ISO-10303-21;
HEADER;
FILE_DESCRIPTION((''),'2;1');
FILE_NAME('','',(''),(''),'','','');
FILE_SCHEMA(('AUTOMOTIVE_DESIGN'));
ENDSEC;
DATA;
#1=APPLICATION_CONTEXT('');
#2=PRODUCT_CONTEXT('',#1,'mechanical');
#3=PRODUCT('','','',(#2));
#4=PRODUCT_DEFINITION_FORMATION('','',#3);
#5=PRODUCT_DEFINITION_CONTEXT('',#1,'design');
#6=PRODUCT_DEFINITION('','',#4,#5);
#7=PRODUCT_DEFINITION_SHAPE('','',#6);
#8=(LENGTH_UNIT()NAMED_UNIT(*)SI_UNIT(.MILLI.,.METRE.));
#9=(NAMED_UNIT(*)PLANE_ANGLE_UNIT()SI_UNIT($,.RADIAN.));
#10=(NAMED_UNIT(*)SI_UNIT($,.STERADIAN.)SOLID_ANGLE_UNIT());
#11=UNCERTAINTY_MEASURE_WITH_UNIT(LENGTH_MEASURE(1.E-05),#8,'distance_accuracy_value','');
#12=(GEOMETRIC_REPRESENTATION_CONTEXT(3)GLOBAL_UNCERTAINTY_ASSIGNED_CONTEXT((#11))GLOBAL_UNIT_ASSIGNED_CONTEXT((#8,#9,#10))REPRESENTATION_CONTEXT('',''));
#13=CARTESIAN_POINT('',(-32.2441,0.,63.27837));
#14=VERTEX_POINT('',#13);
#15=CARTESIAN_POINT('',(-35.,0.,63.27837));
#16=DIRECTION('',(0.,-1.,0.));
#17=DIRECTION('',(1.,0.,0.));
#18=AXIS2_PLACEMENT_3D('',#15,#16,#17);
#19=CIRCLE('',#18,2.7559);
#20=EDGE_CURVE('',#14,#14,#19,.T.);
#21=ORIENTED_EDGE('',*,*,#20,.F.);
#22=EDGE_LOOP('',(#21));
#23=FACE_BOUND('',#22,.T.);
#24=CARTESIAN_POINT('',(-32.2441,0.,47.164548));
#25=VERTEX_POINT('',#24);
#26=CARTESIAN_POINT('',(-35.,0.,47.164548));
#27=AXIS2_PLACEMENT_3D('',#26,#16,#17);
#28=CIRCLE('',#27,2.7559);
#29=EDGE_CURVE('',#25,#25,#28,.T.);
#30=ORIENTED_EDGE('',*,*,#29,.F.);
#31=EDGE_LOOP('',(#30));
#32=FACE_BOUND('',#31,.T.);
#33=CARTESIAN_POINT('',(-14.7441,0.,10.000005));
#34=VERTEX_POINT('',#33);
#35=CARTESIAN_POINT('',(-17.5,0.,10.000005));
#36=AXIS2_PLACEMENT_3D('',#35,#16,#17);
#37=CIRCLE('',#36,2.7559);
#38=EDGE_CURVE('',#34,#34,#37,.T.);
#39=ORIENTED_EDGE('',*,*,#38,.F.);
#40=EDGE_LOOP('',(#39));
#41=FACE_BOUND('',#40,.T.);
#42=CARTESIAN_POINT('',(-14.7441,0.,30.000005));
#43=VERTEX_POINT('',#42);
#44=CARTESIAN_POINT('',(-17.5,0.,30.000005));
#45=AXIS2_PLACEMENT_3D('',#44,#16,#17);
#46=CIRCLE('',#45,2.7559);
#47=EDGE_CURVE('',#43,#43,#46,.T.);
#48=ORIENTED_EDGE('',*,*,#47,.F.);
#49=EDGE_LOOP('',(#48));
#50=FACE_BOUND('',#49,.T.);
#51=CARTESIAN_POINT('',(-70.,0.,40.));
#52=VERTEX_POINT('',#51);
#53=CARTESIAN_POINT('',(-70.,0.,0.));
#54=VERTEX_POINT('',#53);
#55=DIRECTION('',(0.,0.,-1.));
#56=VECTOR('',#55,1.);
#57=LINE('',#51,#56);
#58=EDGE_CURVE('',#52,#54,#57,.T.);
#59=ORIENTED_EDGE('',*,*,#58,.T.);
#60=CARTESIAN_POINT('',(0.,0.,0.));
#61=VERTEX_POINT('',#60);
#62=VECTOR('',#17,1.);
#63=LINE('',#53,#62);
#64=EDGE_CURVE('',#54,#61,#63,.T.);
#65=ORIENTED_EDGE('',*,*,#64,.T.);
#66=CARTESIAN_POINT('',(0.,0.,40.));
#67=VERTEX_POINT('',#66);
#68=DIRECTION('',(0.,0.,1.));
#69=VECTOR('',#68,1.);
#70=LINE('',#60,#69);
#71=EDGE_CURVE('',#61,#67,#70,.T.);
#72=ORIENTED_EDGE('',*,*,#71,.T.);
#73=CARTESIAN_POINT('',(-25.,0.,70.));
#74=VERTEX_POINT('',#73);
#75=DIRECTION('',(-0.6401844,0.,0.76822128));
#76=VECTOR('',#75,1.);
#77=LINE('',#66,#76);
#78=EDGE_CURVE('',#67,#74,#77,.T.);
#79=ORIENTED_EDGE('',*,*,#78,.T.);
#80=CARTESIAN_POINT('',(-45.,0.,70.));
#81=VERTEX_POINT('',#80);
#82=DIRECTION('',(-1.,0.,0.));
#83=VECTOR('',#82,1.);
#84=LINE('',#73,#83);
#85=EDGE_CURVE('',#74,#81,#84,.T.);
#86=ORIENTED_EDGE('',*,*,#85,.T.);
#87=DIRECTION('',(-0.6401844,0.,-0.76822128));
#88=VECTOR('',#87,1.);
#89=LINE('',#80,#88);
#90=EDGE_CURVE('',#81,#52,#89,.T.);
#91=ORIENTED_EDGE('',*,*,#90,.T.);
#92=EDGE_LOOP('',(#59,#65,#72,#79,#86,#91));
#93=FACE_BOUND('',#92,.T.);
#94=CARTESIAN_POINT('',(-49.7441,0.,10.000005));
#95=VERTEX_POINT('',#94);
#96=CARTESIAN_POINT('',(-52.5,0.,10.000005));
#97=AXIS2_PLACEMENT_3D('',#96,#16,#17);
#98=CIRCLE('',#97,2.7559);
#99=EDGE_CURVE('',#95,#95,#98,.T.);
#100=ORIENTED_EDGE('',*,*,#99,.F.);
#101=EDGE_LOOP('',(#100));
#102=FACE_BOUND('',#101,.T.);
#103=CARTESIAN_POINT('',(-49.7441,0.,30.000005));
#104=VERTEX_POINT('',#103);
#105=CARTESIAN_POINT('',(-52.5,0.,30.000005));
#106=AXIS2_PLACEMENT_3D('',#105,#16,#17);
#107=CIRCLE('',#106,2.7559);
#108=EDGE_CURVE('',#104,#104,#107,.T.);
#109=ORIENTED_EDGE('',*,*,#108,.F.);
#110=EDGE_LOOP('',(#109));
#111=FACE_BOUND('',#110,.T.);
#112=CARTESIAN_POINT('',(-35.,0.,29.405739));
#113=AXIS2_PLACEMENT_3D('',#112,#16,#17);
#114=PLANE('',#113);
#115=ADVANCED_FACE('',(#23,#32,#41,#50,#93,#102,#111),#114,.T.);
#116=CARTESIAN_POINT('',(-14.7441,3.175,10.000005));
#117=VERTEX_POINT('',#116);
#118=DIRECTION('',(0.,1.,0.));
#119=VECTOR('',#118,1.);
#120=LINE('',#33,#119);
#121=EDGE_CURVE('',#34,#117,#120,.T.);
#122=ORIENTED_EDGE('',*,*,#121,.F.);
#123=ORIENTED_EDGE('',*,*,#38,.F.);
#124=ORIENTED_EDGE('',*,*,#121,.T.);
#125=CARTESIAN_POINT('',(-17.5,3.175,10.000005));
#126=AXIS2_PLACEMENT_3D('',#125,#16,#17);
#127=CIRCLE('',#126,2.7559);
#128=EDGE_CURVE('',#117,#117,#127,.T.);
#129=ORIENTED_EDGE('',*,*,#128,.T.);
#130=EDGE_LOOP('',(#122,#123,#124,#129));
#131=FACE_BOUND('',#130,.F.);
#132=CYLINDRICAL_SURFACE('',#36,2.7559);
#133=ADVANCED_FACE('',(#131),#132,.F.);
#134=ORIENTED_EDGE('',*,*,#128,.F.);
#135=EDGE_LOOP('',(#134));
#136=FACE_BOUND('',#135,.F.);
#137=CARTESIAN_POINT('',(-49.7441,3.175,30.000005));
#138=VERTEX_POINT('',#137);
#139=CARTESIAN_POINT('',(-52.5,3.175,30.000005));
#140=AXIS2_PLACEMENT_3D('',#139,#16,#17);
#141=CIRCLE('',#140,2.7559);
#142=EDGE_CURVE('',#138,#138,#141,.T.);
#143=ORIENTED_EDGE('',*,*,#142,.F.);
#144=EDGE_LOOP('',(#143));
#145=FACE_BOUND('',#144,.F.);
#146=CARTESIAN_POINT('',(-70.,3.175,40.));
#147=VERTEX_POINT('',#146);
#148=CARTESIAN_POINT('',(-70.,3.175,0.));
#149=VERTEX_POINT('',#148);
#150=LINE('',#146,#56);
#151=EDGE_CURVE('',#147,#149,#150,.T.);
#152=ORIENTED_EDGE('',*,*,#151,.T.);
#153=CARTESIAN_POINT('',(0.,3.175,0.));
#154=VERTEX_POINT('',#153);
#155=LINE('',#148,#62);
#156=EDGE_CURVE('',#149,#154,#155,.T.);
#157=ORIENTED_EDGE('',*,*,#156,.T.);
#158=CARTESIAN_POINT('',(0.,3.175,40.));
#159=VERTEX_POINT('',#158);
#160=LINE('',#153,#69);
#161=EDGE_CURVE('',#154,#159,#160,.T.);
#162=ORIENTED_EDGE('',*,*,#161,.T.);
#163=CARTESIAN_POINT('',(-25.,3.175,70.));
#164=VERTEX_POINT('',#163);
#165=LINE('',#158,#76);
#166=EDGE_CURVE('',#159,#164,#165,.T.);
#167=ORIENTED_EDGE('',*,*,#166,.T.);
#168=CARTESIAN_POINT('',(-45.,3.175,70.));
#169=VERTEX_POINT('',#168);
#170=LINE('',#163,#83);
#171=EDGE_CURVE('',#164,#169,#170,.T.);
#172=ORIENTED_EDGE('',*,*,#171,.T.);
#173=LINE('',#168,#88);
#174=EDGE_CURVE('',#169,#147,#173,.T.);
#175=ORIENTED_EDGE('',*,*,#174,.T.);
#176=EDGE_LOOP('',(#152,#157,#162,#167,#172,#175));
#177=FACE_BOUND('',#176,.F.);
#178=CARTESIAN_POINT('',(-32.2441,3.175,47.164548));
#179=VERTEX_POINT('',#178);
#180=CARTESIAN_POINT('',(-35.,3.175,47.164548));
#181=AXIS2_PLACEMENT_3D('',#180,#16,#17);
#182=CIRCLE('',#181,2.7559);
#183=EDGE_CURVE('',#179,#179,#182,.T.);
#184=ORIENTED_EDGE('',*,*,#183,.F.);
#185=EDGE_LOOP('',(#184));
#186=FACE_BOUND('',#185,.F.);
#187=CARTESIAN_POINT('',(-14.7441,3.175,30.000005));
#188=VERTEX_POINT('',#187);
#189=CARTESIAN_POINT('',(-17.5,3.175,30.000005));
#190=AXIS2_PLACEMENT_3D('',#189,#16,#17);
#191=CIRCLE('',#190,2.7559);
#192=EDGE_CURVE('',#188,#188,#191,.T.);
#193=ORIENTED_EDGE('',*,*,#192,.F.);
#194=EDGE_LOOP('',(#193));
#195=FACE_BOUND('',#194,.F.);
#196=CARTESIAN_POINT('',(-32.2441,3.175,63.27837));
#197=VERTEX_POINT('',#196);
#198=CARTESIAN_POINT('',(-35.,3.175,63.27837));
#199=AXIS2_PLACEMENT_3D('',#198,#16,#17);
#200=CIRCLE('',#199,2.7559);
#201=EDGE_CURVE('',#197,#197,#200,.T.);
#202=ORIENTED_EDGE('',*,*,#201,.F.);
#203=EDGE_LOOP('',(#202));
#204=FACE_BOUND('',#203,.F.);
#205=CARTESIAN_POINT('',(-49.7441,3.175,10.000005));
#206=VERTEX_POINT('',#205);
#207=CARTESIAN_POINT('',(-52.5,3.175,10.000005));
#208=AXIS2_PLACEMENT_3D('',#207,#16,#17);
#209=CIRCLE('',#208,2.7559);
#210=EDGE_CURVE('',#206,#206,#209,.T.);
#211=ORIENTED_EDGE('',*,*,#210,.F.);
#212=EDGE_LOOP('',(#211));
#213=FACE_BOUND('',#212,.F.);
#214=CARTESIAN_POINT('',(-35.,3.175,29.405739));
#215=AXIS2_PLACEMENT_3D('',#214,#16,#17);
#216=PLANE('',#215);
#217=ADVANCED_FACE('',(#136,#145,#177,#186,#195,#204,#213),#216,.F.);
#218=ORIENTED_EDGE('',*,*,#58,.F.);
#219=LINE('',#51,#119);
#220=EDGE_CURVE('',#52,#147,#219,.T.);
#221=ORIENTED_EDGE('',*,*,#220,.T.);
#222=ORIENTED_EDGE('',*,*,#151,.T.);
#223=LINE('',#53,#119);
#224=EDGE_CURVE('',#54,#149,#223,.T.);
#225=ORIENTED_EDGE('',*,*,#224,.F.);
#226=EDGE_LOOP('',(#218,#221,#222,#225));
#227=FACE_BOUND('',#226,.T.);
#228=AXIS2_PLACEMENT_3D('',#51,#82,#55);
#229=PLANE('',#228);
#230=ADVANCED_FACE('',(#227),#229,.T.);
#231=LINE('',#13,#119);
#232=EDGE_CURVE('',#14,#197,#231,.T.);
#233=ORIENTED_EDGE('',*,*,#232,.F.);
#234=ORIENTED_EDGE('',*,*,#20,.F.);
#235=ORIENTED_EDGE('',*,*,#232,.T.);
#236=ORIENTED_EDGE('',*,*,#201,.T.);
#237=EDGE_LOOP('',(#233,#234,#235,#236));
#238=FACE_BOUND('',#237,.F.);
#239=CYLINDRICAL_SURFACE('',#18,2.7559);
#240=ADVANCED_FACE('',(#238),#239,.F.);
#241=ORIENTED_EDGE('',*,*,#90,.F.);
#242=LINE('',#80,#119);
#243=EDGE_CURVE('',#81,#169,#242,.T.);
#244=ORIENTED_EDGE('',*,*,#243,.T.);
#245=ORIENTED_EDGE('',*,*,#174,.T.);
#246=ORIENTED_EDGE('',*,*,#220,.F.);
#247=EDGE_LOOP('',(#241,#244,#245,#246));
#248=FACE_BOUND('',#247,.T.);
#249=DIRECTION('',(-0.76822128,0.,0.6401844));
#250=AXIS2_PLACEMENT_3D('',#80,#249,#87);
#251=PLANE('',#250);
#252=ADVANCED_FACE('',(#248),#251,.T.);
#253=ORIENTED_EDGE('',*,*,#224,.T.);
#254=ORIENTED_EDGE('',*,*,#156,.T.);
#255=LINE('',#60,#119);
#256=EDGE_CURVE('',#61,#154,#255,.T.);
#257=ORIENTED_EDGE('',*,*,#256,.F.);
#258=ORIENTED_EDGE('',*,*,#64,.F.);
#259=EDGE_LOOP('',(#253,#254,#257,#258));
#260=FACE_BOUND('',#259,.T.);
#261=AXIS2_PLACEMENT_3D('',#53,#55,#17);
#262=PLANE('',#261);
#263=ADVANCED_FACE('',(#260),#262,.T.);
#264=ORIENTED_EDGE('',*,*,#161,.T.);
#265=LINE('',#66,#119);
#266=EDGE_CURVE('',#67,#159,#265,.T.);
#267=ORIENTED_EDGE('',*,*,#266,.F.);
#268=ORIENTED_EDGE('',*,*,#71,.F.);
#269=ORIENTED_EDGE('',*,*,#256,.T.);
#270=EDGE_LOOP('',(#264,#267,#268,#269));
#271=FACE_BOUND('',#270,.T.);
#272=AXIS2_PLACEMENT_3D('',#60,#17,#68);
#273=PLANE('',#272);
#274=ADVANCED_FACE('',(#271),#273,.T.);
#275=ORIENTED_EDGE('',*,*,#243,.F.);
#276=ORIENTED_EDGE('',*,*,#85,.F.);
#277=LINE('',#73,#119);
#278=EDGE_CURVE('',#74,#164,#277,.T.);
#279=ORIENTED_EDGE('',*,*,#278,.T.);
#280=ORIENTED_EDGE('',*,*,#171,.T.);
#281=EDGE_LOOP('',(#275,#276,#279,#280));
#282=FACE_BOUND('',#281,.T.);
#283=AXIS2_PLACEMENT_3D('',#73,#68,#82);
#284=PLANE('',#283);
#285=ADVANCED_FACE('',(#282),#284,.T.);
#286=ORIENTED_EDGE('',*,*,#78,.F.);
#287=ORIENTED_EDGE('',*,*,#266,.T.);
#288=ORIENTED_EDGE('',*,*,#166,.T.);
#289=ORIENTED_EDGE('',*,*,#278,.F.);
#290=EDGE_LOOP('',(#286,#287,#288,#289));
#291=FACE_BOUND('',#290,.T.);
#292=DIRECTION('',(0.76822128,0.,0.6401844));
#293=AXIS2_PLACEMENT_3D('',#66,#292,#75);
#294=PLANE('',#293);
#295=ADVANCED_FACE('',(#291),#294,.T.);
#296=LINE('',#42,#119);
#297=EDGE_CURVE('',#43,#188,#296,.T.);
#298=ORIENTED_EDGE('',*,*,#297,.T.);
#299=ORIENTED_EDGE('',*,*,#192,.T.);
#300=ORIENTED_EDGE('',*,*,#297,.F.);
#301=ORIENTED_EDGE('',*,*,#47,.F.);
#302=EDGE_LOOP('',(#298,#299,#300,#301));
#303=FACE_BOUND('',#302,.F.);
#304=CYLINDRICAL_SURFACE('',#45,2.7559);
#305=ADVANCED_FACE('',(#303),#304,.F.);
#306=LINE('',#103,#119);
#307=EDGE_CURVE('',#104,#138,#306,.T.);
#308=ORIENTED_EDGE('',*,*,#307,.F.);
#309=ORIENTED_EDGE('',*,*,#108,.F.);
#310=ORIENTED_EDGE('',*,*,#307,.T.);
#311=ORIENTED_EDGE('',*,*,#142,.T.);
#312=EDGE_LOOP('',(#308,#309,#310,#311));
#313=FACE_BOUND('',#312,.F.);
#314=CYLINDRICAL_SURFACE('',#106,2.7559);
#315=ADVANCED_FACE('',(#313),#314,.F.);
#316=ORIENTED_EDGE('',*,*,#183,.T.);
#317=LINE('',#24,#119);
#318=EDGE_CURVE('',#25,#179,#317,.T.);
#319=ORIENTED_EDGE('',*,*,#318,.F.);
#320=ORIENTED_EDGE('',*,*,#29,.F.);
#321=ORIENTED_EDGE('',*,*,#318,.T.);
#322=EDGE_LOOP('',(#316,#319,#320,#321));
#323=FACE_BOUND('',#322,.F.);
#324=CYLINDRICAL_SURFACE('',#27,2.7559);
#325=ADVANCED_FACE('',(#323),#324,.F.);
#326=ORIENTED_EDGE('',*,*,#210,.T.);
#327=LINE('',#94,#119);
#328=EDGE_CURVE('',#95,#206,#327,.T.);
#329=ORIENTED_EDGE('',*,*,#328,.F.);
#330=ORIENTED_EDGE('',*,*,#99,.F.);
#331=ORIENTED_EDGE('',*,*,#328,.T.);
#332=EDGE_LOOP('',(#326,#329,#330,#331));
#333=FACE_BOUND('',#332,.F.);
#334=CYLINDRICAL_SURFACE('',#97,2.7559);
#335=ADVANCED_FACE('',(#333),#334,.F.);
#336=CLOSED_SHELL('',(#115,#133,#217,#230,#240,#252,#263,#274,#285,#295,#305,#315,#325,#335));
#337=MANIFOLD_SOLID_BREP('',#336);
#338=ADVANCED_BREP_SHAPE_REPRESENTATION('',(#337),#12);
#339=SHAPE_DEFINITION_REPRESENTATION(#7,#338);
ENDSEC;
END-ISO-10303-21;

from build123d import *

# Parameters (mm, degrees)
F0_R     = 2.7559
F1_DEPTH = 3.175


with BuildPart() as f1:
    # F0 (on Front) → F1 (new body)
    with BuildSketch(Plane.XZ):
        Polygon((-70, 0), (0, 0), (0, 40), (-25, 70), (-45, 70), (-70, 40), align=None)
        with Locations((-52.5, 10.000005)):
            Circle(F0_R, mode=Mode.SUBTRACT)
        with Locations((-52.5, 30.000005)):
            Circle(F0_R, mode=Mode.SUBTRACT)
        with Locations((-17.5, 10.000005)):
            Circle(F0_R, mode=Mode.SUBTRACT)
        with Locations((-17.5, 30.000005)):
            Circle(F0_R, mode=Mode.SUBTRACT)
        with Locations((-35, 47.164548)):
            Circle(F0_R, mode=Mode.SUBTRACT)
        with Locations((-35, 63.27837)):
            Circle(F0_R, mode=Mode.SUBTRACT)
    extrude(amount=-F1_DEPTH)


solid = f1.part
